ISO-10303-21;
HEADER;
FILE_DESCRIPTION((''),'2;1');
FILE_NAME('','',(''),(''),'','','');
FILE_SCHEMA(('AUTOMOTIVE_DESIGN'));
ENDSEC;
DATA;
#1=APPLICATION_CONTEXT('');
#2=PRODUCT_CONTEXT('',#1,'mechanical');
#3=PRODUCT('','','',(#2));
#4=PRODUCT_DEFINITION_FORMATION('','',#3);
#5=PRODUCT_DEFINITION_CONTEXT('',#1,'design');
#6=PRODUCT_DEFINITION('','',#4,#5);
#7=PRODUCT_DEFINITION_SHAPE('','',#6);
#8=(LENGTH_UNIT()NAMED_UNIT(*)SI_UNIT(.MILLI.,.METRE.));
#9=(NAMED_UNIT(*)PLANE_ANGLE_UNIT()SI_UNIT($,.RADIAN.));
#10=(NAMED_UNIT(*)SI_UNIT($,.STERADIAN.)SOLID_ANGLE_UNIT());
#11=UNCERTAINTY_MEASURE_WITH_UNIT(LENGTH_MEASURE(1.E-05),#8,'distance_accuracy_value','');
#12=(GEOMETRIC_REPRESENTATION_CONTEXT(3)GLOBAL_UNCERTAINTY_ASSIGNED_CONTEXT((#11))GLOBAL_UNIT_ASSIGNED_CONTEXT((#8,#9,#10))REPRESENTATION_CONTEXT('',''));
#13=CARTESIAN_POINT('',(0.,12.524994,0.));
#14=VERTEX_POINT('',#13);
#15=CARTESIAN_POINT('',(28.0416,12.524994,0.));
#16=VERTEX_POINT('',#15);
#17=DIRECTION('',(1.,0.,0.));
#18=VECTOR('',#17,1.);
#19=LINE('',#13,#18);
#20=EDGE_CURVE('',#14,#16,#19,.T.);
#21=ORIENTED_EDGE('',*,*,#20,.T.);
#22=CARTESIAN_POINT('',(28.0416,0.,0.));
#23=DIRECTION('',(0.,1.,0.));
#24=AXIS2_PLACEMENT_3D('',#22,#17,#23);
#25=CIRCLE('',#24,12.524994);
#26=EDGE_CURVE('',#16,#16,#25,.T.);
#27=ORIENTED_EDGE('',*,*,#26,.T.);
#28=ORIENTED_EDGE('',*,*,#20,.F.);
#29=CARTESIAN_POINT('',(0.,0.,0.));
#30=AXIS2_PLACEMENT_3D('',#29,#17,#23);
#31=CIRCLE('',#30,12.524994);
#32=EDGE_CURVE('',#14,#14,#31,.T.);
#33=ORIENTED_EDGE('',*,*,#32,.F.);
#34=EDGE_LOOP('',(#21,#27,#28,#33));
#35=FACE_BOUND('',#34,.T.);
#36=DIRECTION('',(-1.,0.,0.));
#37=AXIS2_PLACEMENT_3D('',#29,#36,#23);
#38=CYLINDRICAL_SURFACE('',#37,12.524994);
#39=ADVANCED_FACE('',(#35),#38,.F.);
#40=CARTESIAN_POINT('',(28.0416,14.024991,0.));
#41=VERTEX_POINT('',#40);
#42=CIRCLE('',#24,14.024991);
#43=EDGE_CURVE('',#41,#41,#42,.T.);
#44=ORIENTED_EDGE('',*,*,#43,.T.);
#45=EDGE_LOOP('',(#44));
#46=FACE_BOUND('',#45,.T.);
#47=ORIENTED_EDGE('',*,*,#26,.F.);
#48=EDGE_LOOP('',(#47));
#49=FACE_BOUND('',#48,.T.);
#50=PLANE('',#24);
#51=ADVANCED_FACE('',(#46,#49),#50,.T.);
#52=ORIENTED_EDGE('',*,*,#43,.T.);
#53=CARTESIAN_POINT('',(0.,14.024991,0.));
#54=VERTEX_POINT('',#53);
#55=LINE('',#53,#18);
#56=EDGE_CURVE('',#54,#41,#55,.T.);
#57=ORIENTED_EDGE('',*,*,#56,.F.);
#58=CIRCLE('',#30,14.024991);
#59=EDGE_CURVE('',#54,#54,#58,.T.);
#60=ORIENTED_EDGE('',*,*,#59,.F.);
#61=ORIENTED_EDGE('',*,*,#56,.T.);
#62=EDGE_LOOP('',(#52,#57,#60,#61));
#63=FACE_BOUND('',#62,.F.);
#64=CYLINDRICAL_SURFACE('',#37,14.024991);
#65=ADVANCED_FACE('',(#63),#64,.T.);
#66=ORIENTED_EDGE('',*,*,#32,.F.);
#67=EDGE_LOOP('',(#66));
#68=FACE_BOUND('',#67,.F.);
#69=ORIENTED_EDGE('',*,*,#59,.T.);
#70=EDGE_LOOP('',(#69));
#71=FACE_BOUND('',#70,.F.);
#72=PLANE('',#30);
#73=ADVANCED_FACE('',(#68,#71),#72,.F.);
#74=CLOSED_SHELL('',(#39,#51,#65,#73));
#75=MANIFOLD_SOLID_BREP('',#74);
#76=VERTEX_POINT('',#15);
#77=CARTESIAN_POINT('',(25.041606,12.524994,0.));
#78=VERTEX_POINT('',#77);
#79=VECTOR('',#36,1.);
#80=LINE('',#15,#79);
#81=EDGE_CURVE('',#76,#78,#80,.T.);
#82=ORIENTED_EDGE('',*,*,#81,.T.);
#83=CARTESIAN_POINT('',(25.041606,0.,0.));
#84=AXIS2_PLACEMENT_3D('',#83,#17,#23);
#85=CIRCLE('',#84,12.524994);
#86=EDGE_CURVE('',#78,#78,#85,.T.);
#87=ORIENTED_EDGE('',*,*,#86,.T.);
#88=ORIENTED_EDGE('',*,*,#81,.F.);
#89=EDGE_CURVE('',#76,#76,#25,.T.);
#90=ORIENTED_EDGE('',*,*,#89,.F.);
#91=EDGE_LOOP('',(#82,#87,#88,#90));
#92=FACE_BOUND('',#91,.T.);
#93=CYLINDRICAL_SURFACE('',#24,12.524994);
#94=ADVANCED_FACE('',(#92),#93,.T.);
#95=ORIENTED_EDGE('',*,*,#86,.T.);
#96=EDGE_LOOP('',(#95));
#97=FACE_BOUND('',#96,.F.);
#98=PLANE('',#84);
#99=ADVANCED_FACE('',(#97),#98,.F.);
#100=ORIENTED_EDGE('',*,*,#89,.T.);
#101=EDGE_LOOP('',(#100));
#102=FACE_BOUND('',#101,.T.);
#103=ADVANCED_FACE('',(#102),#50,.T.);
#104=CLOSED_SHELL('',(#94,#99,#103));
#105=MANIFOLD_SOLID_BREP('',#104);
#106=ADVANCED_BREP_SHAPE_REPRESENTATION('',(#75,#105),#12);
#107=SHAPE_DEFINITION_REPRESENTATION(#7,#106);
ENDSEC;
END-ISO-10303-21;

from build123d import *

# Parameters (mm, degrees)
F0_R     = 14.024991
F0_R_2   = 12.524994
F1_DEPTH = 28.0416
F2_R     = 12.524994
F3_DEPTH = 2.999994


with BuildPart() as f1:
    # F0 (on Right) → F1 (new body)
    with BuildSketch(Plane.YZ):
        Circle(F0_R)
        Circle(F0_R_2, mode=Mode.SUBTRACT)
    extrude(amount=F1_DEPTH)


with BuildPart() as f3:
    # F2 (on face) → F3 (new body)
    with BuildSketch(Plane.YZ.offset(28.0416)):
        Circle(F2_R)
    extrude(amount=-F3_DEPTH)


solid = Compound([f1.part, f3.part])
